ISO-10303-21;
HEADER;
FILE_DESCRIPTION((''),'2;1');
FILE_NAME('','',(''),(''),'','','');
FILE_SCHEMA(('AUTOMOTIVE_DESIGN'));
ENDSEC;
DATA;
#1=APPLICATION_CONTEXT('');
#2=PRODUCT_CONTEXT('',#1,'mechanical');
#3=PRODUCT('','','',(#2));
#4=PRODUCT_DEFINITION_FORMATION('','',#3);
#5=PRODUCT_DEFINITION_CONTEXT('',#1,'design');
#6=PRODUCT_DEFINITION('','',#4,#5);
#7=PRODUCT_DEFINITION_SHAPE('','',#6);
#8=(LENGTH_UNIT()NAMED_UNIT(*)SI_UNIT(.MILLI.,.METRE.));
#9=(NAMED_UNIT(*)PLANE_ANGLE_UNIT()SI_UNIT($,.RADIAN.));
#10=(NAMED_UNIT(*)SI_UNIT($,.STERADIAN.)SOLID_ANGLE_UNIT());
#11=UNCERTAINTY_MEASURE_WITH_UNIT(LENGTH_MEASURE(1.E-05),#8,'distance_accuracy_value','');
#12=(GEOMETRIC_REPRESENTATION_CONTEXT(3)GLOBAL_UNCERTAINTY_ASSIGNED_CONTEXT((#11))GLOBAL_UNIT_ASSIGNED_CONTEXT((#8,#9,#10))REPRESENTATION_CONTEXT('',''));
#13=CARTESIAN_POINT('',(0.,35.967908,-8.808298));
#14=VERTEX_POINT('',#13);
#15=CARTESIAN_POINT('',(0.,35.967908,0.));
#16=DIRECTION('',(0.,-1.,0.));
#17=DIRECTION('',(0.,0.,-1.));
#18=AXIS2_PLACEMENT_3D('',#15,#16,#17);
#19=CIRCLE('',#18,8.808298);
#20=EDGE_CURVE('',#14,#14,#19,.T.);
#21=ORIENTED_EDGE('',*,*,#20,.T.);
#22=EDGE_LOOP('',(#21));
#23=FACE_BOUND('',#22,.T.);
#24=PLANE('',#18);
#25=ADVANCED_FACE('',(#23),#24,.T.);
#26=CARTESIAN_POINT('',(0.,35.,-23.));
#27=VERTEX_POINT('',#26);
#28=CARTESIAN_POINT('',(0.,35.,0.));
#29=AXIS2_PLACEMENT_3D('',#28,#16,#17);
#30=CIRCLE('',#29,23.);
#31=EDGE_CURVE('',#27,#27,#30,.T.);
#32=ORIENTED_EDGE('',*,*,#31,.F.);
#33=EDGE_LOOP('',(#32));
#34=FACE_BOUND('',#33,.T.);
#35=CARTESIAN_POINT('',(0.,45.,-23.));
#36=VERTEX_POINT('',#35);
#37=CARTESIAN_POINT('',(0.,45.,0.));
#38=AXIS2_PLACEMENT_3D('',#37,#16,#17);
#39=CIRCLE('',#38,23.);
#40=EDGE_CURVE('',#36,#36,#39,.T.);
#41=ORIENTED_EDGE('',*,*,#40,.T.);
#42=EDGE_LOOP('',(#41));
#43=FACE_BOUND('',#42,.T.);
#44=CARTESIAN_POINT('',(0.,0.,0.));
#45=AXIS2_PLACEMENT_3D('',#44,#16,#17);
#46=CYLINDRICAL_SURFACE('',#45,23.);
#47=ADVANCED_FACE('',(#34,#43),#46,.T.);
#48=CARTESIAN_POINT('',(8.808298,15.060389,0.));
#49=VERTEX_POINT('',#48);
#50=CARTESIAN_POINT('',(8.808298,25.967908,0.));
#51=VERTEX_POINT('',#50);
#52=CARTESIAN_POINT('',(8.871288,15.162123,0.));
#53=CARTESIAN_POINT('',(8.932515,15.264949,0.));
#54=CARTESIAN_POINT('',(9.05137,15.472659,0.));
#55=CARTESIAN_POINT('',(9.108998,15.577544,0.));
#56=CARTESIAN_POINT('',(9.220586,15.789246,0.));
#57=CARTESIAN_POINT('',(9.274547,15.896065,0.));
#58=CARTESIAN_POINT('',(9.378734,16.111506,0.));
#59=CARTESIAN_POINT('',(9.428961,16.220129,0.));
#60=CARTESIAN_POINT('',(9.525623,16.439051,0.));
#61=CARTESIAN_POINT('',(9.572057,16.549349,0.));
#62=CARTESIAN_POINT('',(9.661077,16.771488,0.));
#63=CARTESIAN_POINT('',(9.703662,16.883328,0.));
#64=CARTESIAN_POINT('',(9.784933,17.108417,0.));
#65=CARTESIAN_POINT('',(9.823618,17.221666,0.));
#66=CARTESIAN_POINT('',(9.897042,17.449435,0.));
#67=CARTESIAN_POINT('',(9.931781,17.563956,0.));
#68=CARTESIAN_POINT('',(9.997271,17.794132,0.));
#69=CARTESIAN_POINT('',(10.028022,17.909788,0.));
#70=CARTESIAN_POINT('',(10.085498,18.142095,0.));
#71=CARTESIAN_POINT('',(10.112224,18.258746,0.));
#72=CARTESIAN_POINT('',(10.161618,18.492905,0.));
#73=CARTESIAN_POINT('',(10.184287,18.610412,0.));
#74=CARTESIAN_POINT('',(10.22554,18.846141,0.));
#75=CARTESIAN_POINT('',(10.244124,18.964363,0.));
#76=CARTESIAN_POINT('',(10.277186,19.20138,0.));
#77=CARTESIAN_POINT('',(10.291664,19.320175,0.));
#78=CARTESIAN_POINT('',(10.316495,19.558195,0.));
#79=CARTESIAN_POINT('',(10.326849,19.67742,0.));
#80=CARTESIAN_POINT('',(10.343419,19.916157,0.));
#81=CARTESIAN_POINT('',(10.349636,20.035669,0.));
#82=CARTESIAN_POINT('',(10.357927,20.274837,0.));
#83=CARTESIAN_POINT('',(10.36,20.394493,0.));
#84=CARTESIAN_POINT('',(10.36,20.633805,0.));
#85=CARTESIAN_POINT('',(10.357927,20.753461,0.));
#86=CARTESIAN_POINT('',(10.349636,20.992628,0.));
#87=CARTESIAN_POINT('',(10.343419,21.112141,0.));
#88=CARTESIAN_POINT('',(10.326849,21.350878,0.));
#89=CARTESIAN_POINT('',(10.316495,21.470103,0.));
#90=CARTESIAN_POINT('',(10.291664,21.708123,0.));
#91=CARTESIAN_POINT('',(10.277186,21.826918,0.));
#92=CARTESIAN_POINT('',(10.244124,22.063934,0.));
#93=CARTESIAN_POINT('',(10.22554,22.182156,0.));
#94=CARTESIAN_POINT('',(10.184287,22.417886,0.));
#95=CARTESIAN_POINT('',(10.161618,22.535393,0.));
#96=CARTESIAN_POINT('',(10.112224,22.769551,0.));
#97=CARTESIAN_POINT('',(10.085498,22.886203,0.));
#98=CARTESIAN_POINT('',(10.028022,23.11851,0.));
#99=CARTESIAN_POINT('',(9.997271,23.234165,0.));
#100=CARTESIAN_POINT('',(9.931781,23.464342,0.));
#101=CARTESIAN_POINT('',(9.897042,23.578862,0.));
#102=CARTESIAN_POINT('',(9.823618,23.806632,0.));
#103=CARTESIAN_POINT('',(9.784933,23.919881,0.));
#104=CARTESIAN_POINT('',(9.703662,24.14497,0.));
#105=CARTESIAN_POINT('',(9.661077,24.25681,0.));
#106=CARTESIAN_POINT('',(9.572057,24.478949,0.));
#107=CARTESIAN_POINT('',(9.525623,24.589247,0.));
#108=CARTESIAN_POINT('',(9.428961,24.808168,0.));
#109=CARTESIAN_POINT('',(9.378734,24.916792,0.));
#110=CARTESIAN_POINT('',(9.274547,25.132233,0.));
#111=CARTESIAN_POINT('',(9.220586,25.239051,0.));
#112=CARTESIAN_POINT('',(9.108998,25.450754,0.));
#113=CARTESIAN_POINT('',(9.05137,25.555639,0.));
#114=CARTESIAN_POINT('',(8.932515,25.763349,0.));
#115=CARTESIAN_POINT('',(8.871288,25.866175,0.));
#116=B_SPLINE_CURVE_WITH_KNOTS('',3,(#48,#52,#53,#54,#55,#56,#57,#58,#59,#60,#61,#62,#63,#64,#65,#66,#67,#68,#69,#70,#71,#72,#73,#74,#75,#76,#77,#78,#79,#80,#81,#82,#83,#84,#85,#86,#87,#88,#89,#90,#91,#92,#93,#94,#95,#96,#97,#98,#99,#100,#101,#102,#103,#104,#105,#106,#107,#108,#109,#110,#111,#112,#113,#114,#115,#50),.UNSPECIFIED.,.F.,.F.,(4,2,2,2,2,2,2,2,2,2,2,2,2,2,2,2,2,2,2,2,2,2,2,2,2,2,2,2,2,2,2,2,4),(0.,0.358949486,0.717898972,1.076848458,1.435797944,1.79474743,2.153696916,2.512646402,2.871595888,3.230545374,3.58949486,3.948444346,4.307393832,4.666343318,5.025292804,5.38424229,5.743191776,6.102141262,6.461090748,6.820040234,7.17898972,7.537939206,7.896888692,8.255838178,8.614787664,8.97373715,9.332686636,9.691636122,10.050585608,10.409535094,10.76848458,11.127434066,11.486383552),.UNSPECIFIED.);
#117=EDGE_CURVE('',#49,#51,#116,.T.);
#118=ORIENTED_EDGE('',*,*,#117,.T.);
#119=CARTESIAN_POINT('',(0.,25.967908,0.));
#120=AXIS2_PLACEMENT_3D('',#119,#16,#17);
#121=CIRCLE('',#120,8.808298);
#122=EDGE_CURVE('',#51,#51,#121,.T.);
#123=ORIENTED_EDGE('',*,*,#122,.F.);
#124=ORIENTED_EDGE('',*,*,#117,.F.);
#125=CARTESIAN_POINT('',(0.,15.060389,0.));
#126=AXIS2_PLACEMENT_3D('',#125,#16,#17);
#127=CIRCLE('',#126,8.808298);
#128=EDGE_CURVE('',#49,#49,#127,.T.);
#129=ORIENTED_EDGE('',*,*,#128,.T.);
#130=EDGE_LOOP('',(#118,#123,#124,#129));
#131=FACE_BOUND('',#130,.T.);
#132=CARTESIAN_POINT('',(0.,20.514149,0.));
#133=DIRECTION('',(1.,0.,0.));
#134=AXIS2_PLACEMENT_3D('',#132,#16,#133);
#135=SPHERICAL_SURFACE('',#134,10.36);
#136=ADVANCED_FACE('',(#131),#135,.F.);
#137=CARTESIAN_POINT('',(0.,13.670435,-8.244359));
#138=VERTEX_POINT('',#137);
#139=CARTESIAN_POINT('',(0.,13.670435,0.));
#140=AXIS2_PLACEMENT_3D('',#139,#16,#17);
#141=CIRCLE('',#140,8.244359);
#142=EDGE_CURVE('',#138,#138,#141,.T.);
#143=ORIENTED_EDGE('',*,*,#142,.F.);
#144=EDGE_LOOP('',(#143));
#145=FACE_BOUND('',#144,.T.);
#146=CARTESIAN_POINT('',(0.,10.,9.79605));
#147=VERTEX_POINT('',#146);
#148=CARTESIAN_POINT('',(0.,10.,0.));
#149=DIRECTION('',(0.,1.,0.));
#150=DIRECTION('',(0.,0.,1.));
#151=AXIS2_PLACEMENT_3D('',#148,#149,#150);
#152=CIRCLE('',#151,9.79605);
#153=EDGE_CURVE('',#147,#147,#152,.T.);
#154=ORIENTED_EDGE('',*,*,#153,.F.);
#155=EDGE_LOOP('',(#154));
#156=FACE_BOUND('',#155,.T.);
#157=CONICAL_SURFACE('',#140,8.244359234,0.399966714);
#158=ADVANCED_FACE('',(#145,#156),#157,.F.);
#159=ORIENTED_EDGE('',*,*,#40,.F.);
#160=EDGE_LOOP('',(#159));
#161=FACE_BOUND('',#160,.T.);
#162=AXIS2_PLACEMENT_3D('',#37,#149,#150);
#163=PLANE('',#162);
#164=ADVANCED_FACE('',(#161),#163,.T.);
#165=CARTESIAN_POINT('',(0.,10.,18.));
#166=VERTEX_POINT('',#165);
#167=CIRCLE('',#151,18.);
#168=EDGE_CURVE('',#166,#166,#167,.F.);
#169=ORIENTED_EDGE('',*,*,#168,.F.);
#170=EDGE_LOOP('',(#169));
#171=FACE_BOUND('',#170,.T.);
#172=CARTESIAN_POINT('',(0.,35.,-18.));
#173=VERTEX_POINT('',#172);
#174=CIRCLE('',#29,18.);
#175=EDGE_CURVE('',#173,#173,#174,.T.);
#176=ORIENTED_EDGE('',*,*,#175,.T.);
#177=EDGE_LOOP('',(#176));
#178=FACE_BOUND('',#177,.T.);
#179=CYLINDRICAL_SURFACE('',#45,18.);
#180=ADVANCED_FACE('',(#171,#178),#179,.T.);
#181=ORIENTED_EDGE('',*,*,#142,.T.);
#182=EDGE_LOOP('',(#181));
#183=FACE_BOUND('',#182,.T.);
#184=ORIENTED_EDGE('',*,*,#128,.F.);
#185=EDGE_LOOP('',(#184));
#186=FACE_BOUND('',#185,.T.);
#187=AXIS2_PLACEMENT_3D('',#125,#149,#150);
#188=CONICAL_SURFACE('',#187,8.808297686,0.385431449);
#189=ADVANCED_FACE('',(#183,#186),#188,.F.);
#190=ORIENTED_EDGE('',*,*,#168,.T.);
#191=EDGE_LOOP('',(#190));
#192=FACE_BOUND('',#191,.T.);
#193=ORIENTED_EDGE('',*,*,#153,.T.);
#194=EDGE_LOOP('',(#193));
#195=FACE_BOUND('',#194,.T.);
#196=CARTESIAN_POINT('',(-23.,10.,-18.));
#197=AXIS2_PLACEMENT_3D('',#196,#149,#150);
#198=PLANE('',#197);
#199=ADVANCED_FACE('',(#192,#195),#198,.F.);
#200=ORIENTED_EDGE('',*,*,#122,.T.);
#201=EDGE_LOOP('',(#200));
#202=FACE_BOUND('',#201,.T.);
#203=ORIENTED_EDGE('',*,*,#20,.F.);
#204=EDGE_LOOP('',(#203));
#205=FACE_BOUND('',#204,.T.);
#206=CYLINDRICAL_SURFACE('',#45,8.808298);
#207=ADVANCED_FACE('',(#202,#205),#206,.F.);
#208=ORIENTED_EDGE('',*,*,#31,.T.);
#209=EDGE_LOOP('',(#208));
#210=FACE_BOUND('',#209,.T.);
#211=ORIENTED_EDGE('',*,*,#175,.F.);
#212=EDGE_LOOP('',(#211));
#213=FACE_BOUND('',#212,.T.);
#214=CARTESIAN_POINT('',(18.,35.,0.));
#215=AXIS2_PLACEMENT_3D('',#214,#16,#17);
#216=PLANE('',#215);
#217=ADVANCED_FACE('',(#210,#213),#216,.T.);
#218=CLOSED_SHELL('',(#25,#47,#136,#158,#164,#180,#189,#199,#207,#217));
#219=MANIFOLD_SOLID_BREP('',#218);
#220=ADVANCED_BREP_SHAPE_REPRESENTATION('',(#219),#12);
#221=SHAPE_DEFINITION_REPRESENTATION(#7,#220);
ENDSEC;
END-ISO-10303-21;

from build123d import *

# Parameters (mm, degrees)
CUT_EXTRUDE1_DEPTH      = 56.524769248
CUT_EXTRUDE1_DEPTH_BACK = 56.524769248
SKETCH2_W               = 36
SKETCH2_H               = 15


with BuildPart() as part:
    # Sketch1 → Revolve1 (revolve)
    with BuildSketch(Plane.XY, mode=Mode.PRIVATE) as revolve1_sk:
        with BuildLine():
            Line((8.808297686, 15.060389461), (8.244359234, 13.670434993))
            Line((8.244359234, 13.670434993), (16.137360004, -5))
            Line((16.137360004, -5), (18, -5))
            Line((18, -5), (18, 35))
            Line((18, 35), (23, 35))
            Line((23, 35), (23, 45))
            Line((23, 45), (18, 45))
            Line((18, 45), (0, 45))
            Line((0, 45), (0, 35.967908311))
            Line((0, 35.967908311), (8.808297686, 35.967908311))
            Line((8.808297686, 35.967908311), (8.808297686, 25.967908311))
            ThreePointArc((8.808297686, 25.967908311), (10.36, 20.514148886), (8.808297686, 15.060389461))
        make_face()
    revolve(revolve1_sk.sketch.rotate(Axis((0, 0, 0), (0, 1, 0)), 90), axis=Axis((0, 0, 0), (0, 1, 0)))

    # Sketch2 → Cut-Extrude1 (cut, two sides: drawn at the far end of the back side and taken through both)
    with BuildSketch(Plane(origin=(0, 0, 0), x_dir=(0, 0, -1), z_dir=(1, 0, 0)).offset(-CUT_EXTRUDE1_DEPTH_BACK)):
        with Locations((0, 2.5)):
            Rectangle(SKETCH2_W, SKETCH2_H)
    extrude(amount=CUT_EXTRUDE1_DEPTH + CUT_EXTRUDE1_DEPTH_BACK, mode=Mode.SUBTRACT)


solid = part.part
